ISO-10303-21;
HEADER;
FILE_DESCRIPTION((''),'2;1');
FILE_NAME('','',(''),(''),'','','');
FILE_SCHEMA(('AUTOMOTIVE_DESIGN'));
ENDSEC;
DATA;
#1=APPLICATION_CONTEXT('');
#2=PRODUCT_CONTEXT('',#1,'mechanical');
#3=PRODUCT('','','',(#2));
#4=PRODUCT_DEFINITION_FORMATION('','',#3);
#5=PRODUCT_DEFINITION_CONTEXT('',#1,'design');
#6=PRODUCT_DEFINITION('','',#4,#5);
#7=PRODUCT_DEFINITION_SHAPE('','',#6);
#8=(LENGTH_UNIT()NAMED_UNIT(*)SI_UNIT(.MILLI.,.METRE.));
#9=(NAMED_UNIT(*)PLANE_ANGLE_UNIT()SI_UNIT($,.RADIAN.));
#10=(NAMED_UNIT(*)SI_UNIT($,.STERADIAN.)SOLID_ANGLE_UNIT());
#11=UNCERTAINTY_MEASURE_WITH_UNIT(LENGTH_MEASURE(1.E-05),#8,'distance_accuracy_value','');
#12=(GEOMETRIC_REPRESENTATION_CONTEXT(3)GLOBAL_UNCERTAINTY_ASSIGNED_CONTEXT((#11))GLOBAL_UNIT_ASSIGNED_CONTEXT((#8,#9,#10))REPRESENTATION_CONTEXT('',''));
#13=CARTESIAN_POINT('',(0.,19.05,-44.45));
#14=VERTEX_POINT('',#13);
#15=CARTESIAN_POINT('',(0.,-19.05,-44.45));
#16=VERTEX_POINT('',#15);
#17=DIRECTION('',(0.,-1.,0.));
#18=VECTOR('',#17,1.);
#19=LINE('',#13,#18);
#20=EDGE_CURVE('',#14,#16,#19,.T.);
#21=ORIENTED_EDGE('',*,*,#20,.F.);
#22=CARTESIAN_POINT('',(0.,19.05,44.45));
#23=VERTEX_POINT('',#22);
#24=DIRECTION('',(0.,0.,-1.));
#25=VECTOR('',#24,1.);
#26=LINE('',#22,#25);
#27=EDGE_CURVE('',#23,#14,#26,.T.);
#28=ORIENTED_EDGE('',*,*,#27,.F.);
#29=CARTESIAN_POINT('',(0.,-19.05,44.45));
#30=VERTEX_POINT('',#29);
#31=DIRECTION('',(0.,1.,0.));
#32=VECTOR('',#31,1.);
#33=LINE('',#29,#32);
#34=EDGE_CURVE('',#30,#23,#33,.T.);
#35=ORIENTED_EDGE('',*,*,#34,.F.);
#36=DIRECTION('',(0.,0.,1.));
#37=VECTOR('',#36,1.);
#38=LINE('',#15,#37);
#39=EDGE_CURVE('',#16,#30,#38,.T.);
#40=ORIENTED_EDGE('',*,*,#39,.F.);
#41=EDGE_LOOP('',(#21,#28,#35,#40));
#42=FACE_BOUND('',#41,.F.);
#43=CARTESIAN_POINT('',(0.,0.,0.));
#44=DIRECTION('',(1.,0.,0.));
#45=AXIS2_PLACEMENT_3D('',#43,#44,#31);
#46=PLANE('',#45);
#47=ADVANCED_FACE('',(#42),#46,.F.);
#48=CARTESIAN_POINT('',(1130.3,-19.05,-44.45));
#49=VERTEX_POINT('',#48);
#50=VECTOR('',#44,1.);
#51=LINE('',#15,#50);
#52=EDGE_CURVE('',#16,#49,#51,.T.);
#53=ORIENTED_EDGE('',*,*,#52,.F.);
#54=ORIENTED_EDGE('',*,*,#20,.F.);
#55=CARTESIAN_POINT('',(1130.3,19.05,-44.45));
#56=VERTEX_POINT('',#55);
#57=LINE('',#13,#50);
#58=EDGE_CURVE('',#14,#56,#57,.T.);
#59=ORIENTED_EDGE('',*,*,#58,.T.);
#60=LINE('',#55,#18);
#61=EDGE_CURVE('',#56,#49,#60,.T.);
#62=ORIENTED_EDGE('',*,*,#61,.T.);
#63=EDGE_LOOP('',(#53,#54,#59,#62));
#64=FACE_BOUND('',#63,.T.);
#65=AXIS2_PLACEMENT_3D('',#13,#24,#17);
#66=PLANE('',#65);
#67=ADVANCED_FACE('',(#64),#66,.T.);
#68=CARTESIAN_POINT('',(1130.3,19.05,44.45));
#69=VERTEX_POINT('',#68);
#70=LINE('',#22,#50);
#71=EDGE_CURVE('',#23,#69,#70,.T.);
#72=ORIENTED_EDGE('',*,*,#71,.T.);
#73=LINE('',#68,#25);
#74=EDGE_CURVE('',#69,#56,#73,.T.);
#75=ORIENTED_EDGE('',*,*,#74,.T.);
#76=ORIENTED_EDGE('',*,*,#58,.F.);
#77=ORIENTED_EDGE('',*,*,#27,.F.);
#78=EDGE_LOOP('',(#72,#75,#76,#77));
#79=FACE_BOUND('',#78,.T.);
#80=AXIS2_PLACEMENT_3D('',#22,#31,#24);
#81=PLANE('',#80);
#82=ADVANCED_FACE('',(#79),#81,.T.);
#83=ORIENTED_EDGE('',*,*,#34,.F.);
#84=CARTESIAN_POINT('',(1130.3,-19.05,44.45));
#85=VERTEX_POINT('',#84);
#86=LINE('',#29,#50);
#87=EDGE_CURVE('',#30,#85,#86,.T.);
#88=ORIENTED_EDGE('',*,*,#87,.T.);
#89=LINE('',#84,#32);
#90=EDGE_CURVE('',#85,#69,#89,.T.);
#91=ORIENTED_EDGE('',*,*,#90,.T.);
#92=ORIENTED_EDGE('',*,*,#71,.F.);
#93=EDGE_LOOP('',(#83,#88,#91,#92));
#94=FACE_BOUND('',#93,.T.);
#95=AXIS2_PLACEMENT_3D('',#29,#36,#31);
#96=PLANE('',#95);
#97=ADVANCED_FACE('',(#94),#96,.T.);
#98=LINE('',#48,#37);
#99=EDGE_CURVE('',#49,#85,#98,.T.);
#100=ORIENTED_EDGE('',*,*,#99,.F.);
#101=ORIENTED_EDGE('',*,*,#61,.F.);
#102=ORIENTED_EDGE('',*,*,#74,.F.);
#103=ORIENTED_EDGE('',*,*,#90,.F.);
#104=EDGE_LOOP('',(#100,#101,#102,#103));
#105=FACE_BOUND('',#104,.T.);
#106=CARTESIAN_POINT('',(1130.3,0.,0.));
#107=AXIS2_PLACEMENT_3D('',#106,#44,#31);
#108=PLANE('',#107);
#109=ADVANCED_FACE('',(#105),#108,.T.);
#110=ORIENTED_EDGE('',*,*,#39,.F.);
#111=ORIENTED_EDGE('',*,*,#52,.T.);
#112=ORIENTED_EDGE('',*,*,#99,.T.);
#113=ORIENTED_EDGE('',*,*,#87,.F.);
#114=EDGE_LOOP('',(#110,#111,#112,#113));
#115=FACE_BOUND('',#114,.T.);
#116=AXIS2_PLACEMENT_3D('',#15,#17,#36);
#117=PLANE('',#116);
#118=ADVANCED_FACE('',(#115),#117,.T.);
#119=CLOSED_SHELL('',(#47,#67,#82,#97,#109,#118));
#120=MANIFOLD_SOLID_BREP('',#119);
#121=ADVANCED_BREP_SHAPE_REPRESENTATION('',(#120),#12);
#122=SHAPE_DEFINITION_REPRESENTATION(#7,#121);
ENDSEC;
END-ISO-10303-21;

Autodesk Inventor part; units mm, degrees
ref_plane "YZ Plane" through (0, 0, 0) normal (1, 0, 0) x (0, 1, 0)
ref_plane "XZ Plane" through (0, 0, 0) normal (0, 1, 0) x (-1, 0, 0)
ref_plane "XY Plane" through (0, 0, 0) normal (0, 0, 1) x (1, 0, 0)
sketch "Sketch1" plane through (0, 0, 0) normal (1, 0, 0) x (0, 1, 0)
  line L0 (-19.05, 44.45) -> (19.05, 44.45)
  line L1 (19.05, 44.45) -> (19.05, -44.45)
  line L2 (19.05, -44.45) -> (-19.05, -44.45)
  line L3 (-19.05, -44.45) -> (-19.05, 44.45)
  line L4 (-19.05, 44.45) -> (19.05, -44.45) construction
  line L5 (19.05, 44.45) -> (-19.05, -44.45) construction
  point P0 (0, 0)
  dimension "d0" = 88.9
  dimension "d1" = 38.1
extrude "Extrusion1" add sketch "Sketch1" along normal blind 1130.3
properties part number "2x4x44.5"
